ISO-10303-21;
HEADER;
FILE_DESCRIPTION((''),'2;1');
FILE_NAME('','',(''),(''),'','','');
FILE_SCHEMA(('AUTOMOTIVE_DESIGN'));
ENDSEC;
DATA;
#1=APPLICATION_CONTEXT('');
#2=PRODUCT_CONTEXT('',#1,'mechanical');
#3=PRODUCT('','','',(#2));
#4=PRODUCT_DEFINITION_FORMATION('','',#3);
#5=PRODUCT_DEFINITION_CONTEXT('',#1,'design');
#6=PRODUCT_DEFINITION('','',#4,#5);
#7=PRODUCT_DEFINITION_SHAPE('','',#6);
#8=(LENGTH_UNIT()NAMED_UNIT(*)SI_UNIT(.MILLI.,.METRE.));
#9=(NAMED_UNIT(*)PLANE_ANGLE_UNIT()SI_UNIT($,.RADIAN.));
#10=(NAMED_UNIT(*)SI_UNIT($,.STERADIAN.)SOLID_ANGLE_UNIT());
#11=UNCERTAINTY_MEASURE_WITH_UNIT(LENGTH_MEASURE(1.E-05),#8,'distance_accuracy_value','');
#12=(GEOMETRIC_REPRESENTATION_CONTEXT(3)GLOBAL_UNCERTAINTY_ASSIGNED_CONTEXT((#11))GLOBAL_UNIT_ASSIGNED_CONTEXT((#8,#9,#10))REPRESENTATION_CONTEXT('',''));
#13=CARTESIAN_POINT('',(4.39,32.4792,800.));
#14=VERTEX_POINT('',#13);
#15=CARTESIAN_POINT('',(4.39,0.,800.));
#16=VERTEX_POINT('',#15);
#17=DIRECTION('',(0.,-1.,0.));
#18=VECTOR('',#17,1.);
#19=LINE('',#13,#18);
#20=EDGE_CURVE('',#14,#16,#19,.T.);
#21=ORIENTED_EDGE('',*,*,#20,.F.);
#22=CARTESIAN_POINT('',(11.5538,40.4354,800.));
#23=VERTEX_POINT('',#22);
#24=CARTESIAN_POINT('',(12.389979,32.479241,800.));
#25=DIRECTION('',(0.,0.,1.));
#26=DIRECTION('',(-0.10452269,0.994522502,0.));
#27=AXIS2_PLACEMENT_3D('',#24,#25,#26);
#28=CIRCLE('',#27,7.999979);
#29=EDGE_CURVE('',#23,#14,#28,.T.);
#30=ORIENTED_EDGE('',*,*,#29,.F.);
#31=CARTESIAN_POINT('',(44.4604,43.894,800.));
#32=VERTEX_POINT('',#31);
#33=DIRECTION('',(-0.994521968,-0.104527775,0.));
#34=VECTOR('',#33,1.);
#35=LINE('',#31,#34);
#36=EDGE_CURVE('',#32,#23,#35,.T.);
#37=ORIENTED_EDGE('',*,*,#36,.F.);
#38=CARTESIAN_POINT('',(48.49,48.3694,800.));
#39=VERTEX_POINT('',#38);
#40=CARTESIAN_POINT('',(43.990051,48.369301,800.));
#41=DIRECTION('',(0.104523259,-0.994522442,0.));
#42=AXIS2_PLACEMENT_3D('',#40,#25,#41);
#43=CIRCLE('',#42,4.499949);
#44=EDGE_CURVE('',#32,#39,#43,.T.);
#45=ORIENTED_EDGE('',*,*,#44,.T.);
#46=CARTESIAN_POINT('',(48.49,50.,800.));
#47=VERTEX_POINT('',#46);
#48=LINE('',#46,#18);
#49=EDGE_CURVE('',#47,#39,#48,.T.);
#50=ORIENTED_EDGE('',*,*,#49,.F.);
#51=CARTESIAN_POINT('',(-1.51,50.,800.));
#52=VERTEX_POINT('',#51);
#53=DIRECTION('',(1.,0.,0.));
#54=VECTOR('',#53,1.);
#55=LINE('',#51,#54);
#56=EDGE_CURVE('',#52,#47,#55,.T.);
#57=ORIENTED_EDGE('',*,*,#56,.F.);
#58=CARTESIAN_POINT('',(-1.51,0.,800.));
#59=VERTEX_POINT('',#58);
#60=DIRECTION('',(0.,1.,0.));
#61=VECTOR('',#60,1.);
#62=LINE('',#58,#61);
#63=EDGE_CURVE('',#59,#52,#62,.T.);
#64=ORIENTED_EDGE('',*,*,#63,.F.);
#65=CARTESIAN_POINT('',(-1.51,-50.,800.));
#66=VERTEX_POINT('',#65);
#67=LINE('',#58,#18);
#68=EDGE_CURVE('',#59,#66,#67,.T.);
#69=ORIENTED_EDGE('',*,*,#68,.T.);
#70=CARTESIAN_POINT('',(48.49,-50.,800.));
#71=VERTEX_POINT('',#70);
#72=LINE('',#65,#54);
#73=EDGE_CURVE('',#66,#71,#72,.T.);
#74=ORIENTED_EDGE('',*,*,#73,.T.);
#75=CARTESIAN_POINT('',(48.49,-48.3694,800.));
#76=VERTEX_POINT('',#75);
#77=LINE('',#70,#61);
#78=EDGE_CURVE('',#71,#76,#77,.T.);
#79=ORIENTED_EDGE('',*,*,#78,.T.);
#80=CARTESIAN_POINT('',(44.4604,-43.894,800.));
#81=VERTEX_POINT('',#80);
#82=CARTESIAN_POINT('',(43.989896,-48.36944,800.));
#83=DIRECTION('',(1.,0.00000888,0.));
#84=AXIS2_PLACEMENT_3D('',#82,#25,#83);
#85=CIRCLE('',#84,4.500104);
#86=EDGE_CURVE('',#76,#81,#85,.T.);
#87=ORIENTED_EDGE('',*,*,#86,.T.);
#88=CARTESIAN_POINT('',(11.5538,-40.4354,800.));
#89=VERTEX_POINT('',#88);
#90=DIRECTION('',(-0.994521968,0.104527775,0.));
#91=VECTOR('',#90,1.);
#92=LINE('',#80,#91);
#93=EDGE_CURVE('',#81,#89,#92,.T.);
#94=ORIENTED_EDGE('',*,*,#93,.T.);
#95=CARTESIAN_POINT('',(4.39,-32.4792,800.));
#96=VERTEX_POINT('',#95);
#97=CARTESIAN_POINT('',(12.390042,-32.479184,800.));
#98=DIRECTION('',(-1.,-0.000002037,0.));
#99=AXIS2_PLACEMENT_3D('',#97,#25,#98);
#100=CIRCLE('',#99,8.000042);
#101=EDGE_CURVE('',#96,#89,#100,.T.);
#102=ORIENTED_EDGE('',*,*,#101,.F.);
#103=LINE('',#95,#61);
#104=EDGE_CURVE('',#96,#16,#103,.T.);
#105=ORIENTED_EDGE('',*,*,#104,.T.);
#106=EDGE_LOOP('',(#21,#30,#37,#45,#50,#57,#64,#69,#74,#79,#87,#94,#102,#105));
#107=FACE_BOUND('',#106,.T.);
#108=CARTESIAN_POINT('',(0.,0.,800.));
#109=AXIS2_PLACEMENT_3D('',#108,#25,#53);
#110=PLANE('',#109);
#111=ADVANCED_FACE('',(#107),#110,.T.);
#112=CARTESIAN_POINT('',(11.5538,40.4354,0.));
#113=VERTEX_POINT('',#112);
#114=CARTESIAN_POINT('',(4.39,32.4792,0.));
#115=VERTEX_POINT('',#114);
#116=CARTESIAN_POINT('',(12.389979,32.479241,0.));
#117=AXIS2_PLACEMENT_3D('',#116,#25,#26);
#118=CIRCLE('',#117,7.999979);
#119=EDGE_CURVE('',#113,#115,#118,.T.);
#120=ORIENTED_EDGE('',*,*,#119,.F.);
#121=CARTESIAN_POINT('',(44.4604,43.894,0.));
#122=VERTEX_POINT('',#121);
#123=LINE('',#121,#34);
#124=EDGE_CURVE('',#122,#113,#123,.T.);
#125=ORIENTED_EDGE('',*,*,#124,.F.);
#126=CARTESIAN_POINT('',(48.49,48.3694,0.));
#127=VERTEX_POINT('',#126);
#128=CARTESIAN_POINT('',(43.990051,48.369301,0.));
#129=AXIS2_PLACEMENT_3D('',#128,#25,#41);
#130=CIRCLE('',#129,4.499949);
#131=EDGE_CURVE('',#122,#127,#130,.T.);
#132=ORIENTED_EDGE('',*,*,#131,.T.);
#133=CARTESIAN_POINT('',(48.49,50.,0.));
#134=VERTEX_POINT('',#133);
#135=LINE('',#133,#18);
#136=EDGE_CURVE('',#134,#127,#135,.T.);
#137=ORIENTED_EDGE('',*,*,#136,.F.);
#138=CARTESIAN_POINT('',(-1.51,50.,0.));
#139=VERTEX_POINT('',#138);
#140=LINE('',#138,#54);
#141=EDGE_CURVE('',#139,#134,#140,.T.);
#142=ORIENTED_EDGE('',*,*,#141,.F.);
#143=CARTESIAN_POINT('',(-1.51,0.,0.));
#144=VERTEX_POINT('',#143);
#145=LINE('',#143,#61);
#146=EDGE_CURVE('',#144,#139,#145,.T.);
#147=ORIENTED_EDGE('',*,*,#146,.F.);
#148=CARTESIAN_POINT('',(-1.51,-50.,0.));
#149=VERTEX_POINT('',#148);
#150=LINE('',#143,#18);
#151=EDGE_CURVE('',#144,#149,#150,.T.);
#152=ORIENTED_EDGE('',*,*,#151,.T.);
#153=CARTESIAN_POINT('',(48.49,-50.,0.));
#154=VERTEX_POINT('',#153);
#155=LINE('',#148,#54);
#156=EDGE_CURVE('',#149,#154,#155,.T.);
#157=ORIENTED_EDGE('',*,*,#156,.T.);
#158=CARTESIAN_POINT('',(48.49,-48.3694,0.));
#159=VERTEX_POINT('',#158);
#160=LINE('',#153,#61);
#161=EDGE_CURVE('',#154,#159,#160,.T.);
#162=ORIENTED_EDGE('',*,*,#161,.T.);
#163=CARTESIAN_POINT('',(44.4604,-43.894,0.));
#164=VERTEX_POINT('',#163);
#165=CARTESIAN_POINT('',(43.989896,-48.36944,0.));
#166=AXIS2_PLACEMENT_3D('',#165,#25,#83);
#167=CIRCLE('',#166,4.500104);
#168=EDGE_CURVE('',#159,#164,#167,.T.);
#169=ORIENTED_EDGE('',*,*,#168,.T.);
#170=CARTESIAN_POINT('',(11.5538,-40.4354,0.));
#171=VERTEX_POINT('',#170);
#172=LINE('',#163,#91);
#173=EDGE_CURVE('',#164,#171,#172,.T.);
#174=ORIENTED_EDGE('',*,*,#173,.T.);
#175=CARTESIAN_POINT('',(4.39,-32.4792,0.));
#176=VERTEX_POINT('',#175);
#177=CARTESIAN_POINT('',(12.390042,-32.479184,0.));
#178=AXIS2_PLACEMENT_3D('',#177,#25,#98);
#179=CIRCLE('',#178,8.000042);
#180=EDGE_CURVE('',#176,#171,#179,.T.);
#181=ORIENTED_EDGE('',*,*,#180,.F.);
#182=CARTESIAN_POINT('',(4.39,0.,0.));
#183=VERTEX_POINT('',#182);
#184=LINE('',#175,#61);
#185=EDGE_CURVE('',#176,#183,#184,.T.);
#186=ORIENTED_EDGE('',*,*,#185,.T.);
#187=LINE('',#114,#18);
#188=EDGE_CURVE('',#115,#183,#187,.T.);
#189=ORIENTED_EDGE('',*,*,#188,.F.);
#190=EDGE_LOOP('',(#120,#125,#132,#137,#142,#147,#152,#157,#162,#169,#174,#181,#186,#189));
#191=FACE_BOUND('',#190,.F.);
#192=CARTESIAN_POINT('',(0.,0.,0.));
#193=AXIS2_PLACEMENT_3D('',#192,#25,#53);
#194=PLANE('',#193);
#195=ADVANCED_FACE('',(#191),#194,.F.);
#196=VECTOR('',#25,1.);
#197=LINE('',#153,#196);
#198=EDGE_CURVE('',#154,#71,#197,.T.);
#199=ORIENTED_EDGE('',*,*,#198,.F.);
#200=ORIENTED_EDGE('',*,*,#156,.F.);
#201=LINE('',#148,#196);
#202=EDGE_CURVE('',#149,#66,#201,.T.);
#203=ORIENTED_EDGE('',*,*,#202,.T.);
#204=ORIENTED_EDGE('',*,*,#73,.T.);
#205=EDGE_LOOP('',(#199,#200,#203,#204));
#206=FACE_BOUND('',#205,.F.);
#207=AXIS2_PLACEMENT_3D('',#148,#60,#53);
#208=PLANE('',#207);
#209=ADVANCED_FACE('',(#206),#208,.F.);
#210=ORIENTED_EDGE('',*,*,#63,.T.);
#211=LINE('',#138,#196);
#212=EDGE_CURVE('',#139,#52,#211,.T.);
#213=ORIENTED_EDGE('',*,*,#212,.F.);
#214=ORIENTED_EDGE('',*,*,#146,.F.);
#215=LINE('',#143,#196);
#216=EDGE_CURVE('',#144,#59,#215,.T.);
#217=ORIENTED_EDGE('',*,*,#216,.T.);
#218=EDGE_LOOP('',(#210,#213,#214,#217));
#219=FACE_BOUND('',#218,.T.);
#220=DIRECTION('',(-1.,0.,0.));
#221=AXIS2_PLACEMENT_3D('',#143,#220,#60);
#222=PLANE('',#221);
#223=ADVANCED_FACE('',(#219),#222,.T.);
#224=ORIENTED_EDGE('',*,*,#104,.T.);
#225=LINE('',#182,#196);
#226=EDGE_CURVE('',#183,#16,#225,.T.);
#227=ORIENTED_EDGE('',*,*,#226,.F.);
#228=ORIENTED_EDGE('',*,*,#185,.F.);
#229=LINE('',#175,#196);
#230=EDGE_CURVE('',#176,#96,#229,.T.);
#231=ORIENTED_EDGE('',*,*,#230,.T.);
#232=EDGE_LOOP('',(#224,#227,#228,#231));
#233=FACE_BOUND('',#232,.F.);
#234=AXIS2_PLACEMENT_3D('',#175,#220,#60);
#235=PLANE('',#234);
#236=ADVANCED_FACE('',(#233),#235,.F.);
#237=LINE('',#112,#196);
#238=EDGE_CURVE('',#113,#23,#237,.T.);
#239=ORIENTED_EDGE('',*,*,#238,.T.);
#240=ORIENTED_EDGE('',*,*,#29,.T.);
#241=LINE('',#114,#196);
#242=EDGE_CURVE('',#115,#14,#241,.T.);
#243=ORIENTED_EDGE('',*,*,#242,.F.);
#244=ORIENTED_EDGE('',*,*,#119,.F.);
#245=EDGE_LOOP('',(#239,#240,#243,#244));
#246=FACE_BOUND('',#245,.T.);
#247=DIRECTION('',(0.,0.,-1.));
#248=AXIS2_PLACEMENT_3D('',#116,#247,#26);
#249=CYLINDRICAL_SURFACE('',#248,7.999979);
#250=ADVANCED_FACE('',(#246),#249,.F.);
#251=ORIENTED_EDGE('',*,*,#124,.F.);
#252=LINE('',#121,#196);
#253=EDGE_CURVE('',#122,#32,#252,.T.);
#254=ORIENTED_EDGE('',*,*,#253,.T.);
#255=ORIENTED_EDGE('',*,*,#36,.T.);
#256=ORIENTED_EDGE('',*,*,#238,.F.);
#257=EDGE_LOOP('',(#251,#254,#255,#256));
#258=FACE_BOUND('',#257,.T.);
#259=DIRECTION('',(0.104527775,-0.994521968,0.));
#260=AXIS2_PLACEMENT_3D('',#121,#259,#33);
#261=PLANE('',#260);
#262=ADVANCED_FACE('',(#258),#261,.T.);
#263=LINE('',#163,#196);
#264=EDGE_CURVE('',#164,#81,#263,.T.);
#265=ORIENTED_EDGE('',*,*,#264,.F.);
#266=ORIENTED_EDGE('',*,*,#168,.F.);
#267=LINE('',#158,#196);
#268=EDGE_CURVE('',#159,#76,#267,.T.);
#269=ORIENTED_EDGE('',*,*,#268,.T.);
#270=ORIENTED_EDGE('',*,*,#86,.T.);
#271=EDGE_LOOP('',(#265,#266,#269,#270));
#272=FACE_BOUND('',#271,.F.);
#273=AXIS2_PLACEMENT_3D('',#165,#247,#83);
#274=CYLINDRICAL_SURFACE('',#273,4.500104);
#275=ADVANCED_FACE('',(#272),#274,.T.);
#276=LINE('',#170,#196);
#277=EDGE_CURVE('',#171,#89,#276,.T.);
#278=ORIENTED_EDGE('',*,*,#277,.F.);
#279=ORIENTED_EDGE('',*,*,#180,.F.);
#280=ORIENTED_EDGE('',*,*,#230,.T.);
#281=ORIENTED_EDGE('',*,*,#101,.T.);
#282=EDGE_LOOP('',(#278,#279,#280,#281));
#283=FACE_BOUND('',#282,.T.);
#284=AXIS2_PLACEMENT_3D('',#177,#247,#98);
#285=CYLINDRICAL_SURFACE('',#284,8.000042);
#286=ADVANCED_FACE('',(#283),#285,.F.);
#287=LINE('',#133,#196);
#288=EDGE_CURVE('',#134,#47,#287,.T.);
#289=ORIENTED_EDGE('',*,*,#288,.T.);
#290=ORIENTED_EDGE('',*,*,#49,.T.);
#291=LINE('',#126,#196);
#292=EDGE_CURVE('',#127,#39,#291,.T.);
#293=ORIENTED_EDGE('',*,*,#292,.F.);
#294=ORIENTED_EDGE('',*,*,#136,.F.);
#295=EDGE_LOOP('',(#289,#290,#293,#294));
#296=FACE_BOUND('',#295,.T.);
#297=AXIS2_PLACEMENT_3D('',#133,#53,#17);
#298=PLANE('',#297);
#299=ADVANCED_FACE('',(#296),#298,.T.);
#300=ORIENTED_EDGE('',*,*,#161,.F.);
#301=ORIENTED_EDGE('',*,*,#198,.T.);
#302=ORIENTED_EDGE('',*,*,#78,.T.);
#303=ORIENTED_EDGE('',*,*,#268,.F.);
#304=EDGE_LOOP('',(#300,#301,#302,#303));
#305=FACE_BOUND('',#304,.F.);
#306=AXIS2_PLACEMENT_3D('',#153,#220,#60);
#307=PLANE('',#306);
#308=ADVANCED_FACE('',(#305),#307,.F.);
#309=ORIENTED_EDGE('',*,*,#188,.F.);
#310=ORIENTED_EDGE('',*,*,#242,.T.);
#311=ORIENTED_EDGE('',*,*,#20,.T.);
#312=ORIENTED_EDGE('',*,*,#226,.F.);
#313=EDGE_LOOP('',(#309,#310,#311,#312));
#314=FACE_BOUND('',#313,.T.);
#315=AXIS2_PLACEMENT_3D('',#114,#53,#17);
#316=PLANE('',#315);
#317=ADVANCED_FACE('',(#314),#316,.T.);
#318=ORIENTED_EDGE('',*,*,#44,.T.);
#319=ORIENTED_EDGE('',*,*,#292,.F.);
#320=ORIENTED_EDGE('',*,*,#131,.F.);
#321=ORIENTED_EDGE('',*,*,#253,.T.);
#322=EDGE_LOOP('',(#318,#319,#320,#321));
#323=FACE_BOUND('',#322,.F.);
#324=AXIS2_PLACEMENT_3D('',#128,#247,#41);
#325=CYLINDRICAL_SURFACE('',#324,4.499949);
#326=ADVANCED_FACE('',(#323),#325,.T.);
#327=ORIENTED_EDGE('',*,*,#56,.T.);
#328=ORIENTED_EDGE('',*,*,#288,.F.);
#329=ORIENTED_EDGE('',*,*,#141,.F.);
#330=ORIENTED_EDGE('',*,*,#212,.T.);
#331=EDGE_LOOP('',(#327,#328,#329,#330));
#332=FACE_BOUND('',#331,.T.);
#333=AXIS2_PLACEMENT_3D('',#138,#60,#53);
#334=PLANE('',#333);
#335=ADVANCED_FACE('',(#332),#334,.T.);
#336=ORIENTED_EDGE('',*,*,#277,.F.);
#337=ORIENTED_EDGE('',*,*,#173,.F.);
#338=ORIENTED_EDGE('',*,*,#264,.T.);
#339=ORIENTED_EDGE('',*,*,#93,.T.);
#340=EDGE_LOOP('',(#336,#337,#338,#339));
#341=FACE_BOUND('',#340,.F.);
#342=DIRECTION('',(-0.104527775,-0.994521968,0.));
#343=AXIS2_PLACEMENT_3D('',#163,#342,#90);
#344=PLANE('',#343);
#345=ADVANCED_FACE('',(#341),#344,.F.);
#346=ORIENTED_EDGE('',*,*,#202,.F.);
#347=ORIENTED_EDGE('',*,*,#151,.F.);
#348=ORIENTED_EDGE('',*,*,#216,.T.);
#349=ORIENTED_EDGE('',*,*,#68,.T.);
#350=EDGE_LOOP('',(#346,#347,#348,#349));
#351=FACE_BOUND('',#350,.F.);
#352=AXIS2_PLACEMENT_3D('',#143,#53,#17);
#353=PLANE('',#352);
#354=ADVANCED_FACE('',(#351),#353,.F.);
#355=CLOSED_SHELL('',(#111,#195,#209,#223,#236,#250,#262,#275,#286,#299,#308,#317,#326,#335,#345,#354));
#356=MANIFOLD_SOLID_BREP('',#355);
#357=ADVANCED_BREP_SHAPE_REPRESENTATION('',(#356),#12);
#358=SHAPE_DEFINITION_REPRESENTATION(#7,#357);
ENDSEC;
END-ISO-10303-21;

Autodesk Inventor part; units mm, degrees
ref_plane "YZ Plane" through (0, 0, 0) normal (1, 0, 0) x (0, 1, 0)
ref_plane "Start Plane" through (0, 0, 0) normal (0, 0, 1) x (1, 0, 0)
ref_plane "End Plane" through (0, 0, 800) normal (0, 0, 1) x (1, 0, 0)
sketch "Sketch" plane through (0, 0, 0) normal (0, 0, 1) x (1, 0, 0)
  line L0 (-1.51, 0) -> (-1.51, 50)
  line L1 (-1.51, 50) -> (48.49, 50)
  line L2 (48.49, 50) -> (48.49, 48.3694)
  line L3 (44.4604, 43.894) -> (11.5538, 40.4354)
  line L4 (4.39, 32.4792) -> (4.39, 0)
  line L5 (4.39, 0) -> (-1.51, 0) construction
  line L6 (26.44, 50) -> (26.44, 42) construction
  line L7 (48.49, 44.3175) -> (48.49, 42) construction
  line L8 (48.49, 42) -> (26.44, 42) construction
  line L9 (0, 15) -> (0, -27) construction
  line L10 (-5.539, 0) -> (16.0067, 0) construction
  line L11 (-1.51, 0) -> (-1.51, -50)
  line L12 (-1.51, -50) -> (48.49, -50)
  line L13 (48.49, -50) -> (48.49, -48.3694)
  line L14 (44.4604, -43.894) -> (11.5538, -40.4354)
  line L15 (4.39, -32.4792) -> (4.39, 0)
  arc A0 (11.5538, 40.4354) -> (4.39, 32.4792) centre (12.39, 32.4792) ccw
  arc A1 (4.39, -32.4792) -> (11.5538, -40.4354) centre (12.39, -32.4792) ccw
  arc A2 (44.4604, 43.894) -> (48.49, 48.3694) centre (43.99, 48.3694) ccw
  arc A3 (48.49, -48.3694) -> (44.4604, -43.894) centre (43.99, -48.3694) ccw
  line L16 (0, 70) -> (0, -70) construction
  line L17 (-16.5166, 0) -> (60.3266, 0) construction
  point P0 (4.39, 39.6825)
  point P1 (48.49, -44.3175)
  point P2 (4.39, -39.6825)
  point P3 (26.44, -50)
  point P4 (26.44, -42)
  dimension "d0" = 5.9
  dimension "d1" = 50
  dimension "d2" = 50
  dimension "d3" = 8
  dimension "d4" = 22.05
  dimension "d5" = 2.3175
  dimension "d23" = 8
  dimension "d24" = 4.5
  dimension "d25" = 1.51
extrude "Body" add sketch "Sketch" along normal up to surface (800 mm away) from surface at 0
sketch "Sketch3" plane through (0, 0, 0) normal (0, 0, 1) x (1, 0, 0)
  line L0 (0, 0) -> (10, 0)
ref_plane "Work Plane3" through (0, 0, 0) normal (0, -1, 0) x (1, 0, 0)
sketch "Sketch4" plane through (0, 0, 0) normal (0, -1, 0) x (1, 0, 0)
  line L0 (-2, 0) -> (12, 0)
  line L1 (-2, 800) -> (12, 800)
  dimension "d29" = 800
equation "\"d0\" = G_T"
equation "\"d1\" = 0.5 * G_H"
equation "\"d2\" = G_W"
equation "\"d3\" = G_T1"
equation "\"d4\" = G_C"
equation "\"d23\" = G_IR"
equation "\"d24\" = G_ER"
equation "\"d25\" = ex"
equation "\"d6\" = G_L"
equation "\"G_W\" = 50"
equation "\"G_H\" = 100"
equation "\"G_T\" = 5.9"
equation "\"G_T1\" = 8"
equation "\"G_NG\" = 0.105104"
equation "\"G_ER\" = 4.5"
equation "\"G_IR\" = 8"
equation "\"G_C\" = 22.05"
equation "\"G_L\" = d29"
equation "\"ex\" = 1.51"
equation "\"G_OFFSET_START\" = 0"
equation "\"G_OFFSET_END\" = 0"
properties part number "ISO 657_11 CH 100 x 10 1744276061340" material "Steel, Mild"
